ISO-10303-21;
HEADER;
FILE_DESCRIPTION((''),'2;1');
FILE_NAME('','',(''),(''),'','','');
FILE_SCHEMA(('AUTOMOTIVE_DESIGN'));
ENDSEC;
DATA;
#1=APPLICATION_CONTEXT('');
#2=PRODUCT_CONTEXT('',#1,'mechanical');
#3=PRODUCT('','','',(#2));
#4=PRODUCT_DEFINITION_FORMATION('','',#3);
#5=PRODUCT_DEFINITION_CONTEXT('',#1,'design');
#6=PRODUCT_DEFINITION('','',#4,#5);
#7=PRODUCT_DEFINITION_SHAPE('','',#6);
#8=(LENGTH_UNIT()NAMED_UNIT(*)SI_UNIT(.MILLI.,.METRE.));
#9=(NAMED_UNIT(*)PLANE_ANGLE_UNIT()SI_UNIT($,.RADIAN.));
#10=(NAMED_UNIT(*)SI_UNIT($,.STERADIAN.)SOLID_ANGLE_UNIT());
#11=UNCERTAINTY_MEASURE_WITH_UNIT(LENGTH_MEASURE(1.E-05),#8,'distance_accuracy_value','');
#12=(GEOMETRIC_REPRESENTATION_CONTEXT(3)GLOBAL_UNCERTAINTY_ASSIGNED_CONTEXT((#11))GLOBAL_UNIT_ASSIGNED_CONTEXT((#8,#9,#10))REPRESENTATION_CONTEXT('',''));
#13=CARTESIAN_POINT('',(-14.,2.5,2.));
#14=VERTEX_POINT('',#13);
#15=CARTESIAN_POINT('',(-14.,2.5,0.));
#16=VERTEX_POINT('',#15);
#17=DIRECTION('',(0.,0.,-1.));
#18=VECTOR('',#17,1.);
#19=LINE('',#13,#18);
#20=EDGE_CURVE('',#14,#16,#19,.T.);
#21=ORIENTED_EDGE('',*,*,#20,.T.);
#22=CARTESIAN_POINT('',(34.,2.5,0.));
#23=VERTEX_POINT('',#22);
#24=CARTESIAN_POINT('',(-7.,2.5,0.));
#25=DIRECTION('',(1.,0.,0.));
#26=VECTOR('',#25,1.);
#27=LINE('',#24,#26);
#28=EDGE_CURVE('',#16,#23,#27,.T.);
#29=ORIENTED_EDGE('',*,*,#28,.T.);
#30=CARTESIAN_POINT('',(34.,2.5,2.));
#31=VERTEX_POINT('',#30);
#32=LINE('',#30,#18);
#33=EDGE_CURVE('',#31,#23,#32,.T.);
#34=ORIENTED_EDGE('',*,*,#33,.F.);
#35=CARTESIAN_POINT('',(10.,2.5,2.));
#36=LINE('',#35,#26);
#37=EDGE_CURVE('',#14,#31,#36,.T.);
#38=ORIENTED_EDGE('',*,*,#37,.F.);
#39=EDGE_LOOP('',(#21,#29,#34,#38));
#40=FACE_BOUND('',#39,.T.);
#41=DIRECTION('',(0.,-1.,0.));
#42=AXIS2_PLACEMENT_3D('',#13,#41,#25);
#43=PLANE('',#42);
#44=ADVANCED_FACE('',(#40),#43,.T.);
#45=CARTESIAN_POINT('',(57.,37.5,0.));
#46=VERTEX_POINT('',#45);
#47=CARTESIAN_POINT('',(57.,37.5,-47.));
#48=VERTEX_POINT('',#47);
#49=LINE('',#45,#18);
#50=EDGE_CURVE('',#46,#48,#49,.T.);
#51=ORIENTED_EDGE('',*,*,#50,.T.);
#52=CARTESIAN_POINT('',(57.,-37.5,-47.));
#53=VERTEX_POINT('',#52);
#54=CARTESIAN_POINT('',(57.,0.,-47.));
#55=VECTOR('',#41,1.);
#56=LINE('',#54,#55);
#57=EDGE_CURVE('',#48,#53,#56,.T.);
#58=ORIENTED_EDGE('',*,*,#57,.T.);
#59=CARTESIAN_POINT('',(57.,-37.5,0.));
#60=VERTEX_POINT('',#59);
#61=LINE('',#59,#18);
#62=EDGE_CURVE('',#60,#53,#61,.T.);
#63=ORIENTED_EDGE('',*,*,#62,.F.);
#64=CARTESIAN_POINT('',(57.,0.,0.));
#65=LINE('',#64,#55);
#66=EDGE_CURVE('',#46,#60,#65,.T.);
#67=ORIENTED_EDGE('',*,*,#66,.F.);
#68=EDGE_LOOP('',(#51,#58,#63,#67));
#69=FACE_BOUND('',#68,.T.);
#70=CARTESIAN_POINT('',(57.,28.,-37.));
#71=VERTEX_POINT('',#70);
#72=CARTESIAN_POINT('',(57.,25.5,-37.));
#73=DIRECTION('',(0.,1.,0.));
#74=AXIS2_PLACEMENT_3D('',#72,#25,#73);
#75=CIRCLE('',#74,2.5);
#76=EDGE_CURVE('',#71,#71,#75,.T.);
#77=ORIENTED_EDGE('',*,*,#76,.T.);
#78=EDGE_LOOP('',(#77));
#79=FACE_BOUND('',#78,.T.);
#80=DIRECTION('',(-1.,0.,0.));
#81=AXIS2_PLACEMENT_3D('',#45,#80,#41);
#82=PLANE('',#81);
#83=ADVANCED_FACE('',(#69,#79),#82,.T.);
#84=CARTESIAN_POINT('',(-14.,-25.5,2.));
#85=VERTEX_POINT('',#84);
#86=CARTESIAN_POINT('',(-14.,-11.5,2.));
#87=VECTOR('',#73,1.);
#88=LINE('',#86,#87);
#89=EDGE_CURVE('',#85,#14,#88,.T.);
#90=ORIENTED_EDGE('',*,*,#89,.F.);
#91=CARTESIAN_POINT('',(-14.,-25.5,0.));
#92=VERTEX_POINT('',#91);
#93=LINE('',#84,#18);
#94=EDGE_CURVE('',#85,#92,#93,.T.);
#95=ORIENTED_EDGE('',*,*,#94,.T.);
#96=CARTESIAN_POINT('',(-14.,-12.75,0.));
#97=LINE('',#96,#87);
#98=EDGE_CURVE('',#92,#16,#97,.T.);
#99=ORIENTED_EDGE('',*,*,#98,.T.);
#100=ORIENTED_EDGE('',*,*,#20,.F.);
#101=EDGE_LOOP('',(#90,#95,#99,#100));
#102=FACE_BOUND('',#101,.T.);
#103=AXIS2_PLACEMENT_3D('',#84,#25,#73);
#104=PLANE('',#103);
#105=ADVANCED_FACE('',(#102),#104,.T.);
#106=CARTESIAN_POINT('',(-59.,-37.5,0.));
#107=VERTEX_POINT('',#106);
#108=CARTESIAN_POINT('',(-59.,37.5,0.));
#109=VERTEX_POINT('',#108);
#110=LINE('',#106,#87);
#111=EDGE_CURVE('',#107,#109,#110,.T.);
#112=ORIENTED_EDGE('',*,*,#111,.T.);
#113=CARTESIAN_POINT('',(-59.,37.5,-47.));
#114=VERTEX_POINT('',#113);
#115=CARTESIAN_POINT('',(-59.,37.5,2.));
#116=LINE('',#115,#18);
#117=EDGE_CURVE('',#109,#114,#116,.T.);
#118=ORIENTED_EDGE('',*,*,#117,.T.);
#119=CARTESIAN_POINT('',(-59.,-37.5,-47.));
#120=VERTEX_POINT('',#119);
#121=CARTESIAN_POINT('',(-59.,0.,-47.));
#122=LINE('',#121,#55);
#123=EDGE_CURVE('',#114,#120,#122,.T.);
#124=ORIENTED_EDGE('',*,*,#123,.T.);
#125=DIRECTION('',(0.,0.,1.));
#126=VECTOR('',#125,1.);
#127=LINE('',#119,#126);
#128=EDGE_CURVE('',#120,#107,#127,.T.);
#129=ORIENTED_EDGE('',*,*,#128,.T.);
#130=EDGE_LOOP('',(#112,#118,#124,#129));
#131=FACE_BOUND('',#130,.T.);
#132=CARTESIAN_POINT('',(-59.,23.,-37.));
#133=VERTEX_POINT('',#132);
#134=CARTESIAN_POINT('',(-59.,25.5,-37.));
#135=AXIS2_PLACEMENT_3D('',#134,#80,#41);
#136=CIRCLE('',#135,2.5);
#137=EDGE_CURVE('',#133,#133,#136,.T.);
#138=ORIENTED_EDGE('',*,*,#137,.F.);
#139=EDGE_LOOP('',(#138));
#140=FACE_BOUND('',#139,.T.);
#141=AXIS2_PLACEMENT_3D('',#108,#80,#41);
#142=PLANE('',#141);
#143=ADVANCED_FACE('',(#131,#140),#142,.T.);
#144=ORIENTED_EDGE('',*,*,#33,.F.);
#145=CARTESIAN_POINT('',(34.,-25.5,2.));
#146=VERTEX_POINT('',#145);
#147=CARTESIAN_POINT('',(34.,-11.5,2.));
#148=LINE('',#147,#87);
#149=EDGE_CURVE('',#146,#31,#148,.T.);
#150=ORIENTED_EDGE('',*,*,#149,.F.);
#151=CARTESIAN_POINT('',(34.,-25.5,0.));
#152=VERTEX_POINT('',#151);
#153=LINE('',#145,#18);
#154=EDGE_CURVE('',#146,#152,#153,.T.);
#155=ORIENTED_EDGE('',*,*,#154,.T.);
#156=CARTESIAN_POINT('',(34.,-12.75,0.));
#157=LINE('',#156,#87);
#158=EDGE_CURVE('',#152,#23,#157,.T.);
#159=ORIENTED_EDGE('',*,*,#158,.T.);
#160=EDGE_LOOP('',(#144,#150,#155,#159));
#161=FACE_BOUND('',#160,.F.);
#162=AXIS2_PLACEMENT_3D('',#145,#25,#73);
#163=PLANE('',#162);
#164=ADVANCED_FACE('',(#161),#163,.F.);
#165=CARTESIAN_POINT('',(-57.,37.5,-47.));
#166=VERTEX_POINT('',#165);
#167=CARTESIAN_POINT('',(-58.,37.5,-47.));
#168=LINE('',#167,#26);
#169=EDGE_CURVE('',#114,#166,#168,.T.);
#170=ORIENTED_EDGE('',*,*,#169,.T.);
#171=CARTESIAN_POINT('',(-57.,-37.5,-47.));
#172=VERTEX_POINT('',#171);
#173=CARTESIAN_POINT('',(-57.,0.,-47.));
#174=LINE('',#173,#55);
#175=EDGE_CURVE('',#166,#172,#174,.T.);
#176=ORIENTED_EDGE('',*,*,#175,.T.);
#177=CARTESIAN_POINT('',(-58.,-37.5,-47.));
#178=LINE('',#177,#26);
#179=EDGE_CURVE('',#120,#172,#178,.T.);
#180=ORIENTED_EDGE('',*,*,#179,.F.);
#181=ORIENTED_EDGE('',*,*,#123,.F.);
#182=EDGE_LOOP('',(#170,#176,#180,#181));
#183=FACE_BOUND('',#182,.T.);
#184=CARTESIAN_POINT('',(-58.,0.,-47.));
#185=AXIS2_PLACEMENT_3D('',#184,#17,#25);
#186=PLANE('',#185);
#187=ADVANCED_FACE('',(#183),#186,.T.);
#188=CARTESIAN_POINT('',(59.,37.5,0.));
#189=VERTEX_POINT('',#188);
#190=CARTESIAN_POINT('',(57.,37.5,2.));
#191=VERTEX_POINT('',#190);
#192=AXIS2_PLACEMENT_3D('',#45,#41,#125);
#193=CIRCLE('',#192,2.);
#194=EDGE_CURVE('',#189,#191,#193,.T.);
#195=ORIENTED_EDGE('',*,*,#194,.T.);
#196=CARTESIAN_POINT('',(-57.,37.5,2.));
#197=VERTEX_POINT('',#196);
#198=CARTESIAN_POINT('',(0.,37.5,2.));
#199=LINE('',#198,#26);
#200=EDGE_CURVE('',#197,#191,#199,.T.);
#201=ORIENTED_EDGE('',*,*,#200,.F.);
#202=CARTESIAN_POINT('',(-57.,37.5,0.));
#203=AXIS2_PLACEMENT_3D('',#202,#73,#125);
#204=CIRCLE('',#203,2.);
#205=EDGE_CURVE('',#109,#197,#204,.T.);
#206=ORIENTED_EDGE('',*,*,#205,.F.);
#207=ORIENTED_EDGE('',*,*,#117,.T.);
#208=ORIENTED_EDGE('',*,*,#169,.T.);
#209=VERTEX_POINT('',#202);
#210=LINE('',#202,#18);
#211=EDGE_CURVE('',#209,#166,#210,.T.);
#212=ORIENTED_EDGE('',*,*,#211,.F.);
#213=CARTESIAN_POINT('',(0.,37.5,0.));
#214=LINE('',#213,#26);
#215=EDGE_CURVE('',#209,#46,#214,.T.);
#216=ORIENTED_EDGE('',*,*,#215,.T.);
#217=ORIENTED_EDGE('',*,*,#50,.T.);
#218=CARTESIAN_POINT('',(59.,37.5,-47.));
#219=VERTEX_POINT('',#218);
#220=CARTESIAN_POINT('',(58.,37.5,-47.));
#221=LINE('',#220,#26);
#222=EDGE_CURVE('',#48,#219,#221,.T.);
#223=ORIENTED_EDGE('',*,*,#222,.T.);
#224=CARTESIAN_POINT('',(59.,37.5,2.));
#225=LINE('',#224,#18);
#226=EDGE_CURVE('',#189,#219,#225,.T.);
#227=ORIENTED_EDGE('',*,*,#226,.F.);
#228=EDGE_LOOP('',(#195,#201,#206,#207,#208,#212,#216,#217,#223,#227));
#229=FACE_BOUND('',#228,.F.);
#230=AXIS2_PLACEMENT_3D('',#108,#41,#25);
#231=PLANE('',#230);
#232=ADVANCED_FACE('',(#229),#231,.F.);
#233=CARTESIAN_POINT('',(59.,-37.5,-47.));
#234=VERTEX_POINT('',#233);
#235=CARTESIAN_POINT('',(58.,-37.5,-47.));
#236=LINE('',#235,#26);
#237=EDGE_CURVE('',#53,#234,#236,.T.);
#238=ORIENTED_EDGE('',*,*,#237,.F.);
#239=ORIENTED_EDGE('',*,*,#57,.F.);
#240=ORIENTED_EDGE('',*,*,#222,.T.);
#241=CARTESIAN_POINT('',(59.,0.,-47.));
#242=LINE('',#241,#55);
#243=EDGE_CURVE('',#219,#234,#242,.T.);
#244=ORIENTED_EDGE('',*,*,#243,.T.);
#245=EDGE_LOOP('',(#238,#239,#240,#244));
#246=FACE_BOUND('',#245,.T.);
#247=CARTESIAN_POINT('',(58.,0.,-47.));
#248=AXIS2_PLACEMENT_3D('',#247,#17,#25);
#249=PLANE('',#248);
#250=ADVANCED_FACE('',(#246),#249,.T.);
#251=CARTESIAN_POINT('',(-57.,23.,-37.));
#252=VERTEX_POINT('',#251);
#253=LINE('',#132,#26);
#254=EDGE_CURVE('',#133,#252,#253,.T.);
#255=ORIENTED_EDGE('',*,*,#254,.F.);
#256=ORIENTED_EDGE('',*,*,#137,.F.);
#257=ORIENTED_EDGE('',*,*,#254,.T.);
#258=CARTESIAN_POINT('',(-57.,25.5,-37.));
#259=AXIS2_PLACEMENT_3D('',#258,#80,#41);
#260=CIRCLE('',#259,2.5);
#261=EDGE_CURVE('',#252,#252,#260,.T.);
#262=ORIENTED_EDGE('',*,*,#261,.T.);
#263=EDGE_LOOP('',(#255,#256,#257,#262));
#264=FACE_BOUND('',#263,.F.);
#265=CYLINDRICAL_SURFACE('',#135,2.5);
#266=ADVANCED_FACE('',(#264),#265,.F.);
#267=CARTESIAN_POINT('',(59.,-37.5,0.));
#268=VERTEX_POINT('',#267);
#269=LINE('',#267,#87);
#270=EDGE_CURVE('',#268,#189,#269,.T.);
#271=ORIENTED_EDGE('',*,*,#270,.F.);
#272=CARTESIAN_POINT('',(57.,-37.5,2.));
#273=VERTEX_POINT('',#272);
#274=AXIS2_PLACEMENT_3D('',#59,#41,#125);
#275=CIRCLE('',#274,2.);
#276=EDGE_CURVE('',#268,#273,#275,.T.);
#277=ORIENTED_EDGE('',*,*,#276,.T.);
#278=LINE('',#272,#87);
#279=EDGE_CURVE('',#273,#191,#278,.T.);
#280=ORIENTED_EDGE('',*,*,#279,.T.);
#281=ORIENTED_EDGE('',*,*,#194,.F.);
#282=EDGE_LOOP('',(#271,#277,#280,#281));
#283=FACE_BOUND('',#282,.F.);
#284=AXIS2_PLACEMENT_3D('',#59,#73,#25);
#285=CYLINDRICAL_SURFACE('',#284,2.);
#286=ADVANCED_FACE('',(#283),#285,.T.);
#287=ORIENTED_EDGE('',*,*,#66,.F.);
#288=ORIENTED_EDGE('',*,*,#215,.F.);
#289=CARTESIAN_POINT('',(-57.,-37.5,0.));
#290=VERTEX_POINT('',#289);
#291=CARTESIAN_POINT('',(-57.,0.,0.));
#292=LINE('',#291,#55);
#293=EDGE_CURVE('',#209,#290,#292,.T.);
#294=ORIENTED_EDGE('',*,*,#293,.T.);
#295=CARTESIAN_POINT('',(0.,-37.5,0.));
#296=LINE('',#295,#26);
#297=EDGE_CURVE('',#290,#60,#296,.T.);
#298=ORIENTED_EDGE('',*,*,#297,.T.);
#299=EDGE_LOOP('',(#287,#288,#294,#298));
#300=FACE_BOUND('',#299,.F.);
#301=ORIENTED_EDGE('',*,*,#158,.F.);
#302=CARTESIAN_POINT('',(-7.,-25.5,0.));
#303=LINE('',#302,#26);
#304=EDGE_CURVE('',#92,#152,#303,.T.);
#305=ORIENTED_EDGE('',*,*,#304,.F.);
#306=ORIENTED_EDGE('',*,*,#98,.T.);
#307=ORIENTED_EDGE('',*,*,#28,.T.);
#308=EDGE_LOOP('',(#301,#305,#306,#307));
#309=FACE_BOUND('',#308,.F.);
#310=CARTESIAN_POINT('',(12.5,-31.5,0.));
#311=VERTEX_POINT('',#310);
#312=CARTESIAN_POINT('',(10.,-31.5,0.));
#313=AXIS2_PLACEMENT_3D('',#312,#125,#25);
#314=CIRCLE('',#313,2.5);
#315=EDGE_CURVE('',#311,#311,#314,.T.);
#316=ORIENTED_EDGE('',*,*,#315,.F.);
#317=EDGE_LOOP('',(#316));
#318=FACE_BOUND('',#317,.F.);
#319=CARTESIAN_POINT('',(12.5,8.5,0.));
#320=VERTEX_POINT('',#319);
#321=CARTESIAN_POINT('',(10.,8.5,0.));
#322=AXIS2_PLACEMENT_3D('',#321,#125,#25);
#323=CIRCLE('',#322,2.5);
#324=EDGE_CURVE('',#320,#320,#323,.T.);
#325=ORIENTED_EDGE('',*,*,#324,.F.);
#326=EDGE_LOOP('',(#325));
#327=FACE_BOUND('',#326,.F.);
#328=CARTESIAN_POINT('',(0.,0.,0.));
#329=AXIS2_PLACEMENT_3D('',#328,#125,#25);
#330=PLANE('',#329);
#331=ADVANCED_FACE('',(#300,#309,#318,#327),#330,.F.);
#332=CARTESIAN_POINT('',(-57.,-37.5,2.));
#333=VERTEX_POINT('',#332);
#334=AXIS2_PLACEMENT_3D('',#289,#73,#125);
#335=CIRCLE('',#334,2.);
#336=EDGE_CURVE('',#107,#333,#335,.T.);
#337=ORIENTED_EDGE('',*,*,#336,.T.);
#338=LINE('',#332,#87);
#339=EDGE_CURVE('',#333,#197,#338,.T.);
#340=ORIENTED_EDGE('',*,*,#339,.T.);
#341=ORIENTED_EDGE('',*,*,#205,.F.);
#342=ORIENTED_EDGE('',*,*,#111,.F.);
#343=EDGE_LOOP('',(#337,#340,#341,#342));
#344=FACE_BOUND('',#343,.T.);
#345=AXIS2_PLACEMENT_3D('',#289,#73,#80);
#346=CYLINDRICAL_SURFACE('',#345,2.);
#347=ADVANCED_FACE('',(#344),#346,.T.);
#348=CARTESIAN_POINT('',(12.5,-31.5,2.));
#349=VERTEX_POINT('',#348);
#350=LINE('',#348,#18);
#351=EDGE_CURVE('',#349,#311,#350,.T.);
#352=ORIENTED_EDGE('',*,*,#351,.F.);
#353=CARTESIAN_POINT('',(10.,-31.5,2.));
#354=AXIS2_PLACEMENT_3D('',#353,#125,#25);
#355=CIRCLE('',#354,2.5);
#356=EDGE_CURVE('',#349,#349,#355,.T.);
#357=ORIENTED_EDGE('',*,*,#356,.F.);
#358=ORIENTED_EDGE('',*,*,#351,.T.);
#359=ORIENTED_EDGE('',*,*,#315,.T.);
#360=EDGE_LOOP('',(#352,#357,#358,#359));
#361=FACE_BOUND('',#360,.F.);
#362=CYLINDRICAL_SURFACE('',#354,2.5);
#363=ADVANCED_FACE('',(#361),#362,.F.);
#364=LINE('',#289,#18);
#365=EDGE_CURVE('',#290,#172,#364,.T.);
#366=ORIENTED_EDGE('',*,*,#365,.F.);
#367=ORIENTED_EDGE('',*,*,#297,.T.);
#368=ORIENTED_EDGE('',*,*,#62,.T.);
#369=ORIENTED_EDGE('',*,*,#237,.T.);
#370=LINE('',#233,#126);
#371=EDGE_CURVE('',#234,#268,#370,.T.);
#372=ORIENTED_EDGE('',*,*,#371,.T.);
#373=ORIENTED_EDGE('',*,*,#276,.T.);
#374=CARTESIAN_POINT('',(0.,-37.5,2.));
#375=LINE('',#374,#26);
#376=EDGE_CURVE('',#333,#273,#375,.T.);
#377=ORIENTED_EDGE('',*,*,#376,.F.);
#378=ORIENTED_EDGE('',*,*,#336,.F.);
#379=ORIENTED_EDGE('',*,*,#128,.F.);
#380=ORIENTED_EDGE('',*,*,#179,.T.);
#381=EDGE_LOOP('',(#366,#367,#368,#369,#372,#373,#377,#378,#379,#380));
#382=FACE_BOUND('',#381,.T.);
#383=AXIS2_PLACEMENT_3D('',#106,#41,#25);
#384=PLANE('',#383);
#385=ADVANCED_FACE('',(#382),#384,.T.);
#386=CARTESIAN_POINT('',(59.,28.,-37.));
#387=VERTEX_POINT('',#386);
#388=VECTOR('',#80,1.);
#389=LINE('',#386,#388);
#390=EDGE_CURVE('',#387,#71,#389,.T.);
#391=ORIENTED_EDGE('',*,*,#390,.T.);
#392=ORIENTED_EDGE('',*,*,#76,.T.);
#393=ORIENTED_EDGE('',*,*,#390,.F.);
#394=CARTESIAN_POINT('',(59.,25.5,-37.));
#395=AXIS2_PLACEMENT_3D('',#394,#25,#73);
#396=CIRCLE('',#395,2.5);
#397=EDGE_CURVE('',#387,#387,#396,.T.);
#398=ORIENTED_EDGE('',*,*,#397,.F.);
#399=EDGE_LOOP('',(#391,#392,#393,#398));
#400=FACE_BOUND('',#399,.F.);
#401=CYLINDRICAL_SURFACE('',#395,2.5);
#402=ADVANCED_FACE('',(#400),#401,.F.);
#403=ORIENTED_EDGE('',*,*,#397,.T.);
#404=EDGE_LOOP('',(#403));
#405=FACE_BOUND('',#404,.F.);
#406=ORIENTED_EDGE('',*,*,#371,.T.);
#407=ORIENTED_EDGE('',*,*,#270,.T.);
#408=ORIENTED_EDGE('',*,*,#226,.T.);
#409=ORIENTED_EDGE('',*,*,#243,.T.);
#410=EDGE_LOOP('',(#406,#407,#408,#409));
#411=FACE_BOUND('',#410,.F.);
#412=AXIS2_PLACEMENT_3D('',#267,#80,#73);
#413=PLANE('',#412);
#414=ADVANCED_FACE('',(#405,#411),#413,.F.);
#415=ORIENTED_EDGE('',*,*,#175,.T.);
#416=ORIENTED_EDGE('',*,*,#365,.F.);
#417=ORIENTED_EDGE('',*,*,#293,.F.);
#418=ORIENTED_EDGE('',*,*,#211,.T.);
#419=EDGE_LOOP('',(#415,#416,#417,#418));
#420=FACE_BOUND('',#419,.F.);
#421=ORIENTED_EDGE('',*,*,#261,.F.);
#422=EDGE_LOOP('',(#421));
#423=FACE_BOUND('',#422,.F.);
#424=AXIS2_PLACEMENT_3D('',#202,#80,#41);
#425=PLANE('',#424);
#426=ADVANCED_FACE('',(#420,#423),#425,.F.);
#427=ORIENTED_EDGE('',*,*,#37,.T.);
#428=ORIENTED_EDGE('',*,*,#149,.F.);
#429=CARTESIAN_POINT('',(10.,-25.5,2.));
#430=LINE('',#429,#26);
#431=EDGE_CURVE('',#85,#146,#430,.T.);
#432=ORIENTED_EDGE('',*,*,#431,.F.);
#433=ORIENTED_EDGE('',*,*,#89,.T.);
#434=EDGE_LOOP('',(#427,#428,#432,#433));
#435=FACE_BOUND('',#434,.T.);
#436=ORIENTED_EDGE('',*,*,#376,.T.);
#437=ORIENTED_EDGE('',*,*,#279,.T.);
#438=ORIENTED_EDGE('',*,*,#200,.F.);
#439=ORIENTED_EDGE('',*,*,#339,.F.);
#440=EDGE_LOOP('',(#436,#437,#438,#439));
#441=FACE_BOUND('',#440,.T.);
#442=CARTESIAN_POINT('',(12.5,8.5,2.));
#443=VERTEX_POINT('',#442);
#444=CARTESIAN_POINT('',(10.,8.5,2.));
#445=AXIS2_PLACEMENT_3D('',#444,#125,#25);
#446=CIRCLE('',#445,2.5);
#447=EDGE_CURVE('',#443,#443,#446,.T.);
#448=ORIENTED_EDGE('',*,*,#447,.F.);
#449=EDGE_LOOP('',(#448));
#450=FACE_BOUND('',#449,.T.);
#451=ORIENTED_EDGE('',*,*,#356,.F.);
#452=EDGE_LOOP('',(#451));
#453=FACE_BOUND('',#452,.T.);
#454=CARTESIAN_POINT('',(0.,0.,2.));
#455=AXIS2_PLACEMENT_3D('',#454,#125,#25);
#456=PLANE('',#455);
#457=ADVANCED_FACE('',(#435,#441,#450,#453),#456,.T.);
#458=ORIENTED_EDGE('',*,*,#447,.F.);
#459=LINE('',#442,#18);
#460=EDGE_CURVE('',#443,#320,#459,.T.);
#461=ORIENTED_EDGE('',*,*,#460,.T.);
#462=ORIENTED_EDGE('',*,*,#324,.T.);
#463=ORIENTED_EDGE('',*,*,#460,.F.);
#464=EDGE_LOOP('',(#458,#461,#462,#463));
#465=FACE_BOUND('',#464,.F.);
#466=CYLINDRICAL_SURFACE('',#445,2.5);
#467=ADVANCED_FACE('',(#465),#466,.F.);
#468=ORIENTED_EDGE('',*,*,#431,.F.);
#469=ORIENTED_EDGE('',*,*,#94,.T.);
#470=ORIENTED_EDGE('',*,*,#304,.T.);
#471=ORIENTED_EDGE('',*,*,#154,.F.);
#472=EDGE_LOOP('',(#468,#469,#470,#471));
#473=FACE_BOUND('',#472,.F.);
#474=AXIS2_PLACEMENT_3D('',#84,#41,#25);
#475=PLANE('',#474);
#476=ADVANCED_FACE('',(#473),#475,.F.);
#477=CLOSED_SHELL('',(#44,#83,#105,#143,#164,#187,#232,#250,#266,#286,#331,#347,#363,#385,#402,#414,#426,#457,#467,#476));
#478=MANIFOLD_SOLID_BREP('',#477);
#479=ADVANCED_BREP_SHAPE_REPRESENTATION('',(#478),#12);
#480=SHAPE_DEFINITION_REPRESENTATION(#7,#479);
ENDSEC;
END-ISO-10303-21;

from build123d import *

# Parameters (mm, degrees)
F0_W      = 118
F0_H      = 75
F1_DEPTH  = 2
F2_W      = 48
F2_H      = 28
F2_R      = 2.5
F3_DEPTH  = 25
F4_W      = 2
F4_H      = 75
F5_DEPTH  = 47
F6_R      = 2
F7_R      = 2.5
F8_DEPTH  = 25
F9_R      = 2.5
F10_DEPTH = 25


with BuildPart() as f1:
    # F0 (on Top) → F1 (new body)
    with BuildSketch(Plane.XY):
        Rectangle(F0_W, F0_H)
    extrude(amount=F1_DEPTH)

    # F2 (on face) → F3 (cut)
    with BuildSketch(Plane.XY.offset(2)):
        with Locations((10, -11.5)):
            Rectangle(F2_W, F2_H)
        with Locations((10, -31.5)):
            Circle(F2_R)
        with Locations((10, 8.5)):
            Circle(F2_R)
    extrude(amount=-F3_DEPTH, mode=Mode.SUBTRACT)

    # F4 (on face) → F5 (join)
    with BuildSketch(Plane(origin=(0, 0, 0), x_dir=(1, 0, 0), z_dir=(0, 0, -1))):
        with Locations((-58, 0)):
            Rectangle(F4_W, F4_H)
        with Locations((58, 0)):
            Rectangle(F4_W, F4_H)
    extrude(amount=F5_DEPTH)

    # F6
    f6_edges = [f1.edges().sort_by_distance(p)[0] for p in [
        (59, 0, 2),
        (-59, 0, 2),
    ]]
    fillet(f6_edges, radius=F6_R)

    # F7 (on face) → F8 (cut)
    with BuildSketch(Plane(origin=(-59, 0, 0), x_dir=(0, -1, 0), z_dir=(-1, 0, 0))):
        with Locations((-25.5, -37)):
            Circle(F7_R)
    extrude(amount=-F8_DEPTH, mode=Mode.SUBTRACT)

    # F9 (on face) → F10 (cut)
    with BuildSketch(Plane.YZ.offset(59)):
        with Locations((25.5, -37)):
            Circle(F9_R)
    extrude(amount=-F10_DEPTH, mode=Mode.SUBTRACT)


solid = f1.part
